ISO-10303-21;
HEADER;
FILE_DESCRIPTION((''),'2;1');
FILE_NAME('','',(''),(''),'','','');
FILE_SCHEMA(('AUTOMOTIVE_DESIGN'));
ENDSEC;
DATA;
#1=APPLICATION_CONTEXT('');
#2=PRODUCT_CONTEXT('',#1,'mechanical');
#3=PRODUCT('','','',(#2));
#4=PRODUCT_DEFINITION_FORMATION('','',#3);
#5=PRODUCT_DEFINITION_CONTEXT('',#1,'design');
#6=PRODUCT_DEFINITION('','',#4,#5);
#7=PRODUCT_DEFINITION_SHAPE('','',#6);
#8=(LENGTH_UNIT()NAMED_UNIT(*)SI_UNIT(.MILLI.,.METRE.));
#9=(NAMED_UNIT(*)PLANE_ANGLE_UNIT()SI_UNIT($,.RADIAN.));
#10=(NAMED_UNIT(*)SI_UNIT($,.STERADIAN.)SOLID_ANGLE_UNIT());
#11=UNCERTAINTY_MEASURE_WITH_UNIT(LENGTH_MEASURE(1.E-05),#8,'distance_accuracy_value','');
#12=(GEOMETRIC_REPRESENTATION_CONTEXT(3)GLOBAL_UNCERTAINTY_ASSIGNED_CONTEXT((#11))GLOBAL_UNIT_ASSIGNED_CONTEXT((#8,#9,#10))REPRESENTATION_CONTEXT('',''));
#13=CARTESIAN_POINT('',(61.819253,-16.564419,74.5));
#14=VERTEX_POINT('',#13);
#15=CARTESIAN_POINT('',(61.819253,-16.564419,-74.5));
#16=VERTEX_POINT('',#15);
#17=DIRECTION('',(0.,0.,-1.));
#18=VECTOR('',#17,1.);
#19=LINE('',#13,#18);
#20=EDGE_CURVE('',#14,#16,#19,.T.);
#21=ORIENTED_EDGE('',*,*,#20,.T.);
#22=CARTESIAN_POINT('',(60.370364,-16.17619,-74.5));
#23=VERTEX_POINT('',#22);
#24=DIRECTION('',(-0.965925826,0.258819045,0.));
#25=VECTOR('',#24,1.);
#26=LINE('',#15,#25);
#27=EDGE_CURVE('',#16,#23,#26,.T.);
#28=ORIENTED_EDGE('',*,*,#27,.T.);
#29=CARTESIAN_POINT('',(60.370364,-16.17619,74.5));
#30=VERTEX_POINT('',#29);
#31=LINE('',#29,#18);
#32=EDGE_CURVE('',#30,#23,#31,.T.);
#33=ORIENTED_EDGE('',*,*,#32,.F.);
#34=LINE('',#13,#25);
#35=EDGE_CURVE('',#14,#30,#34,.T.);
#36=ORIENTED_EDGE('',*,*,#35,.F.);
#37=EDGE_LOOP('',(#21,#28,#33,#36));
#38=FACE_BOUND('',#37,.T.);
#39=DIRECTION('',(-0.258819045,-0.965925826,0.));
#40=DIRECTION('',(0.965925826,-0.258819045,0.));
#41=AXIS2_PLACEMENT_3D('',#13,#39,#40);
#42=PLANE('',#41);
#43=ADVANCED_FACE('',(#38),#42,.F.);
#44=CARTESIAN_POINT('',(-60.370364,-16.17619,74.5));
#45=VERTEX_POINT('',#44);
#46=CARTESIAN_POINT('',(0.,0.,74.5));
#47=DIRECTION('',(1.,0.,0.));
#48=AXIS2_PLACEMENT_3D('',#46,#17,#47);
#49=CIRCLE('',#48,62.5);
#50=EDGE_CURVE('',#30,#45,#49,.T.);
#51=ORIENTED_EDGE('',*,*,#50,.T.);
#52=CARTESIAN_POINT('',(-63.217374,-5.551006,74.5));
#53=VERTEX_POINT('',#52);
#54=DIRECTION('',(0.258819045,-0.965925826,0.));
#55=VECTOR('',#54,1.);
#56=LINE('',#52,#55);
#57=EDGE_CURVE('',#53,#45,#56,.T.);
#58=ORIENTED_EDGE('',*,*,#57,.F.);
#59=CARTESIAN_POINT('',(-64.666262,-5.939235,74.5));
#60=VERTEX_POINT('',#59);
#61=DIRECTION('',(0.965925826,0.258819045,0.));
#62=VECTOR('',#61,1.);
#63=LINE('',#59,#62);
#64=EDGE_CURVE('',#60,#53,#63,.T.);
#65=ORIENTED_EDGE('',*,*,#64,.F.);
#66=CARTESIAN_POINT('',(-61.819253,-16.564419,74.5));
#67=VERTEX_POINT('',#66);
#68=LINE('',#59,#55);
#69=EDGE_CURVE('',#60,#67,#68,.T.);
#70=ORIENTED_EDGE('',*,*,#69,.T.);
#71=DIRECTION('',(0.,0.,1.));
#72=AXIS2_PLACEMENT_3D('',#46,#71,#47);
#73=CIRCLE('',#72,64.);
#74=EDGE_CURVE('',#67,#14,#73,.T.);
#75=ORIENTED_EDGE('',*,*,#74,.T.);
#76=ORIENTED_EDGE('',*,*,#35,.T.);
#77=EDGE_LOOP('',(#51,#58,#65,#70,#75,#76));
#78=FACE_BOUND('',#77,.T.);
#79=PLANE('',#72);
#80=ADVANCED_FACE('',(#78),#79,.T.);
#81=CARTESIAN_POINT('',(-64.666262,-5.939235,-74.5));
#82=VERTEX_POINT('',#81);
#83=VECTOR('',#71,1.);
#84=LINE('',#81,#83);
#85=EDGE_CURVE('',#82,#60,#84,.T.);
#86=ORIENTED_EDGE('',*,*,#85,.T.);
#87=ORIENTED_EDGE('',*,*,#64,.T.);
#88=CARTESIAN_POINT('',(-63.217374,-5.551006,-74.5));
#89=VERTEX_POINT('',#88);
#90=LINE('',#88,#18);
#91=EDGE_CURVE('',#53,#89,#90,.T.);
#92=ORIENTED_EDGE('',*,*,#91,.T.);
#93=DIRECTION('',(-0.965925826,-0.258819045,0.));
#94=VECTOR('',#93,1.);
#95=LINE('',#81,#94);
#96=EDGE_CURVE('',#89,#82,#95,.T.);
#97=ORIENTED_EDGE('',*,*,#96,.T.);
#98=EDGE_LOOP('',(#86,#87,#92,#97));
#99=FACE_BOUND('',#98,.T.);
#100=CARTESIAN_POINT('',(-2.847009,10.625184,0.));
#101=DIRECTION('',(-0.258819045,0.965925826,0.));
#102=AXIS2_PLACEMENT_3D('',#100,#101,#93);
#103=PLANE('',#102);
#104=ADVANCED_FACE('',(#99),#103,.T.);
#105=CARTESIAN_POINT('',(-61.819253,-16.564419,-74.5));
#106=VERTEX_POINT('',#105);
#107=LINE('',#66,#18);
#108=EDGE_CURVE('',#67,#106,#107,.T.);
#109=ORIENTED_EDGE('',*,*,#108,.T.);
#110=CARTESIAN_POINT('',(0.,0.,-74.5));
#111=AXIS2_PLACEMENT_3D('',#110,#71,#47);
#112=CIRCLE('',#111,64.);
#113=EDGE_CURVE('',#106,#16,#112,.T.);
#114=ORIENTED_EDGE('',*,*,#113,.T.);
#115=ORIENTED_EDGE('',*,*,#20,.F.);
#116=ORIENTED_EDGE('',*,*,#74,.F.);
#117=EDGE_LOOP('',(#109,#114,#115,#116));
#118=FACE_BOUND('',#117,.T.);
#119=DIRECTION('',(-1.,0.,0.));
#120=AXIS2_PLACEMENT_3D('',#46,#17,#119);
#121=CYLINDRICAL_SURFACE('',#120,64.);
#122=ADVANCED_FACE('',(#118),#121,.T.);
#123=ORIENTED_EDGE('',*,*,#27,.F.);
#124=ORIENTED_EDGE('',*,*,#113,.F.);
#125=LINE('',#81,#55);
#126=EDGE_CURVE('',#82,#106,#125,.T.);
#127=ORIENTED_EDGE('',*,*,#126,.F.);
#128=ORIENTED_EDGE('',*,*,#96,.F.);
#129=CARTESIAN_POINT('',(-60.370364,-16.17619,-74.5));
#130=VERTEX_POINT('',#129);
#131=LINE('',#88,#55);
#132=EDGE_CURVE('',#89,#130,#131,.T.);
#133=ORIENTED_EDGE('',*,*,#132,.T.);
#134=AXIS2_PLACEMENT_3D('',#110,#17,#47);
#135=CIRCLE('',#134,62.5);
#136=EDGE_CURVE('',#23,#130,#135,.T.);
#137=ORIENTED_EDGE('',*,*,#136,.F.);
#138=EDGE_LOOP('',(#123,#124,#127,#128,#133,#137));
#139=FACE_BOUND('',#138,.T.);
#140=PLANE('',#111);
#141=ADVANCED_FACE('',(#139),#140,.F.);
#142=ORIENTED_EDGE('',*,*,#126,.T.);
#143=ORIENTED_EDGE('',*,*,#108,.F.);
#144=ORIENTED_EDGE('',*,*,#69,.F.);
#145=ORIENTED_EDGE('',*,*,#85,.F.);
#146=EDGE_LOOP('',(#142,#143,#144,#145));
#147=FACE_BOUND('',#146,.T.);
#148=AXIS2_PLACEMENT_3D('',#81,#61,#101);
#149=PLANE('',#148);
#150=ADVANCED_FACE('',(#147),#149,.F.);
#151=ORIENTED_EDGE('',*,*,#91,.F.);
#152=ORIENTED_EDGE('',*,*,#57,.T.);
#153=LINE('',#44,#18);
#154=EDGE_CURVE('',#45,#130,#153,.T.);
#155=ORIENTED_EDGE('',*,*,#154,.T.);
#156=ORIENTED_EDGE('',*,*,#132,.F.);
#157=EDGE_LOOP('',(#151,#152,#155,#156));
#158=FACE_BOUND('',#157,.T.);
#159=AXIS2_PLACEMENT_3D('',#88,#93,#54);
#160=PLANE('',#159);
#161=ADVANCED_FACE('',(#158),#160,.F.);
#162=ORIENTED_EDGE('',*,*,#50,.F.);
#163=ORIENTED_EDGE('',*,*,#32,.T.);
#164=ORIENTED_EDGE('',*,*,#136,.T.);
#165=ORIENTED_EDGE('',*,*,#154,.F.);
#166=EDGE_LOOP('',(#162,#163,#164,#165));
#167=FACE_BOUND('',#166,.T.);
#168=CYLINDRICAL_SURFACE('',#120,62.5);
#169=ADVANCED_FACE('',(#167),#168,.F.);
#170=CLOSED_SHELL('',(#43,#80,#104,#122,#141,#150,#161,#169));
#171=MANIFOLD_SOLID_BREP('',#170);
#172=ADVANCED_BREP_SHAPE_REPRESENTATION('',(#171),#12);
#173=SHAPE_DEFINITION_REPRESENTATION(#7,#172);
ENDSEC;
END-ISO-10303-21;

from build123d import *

# Parameters (mm, degrees)
BOSS_EXTRUDE1_DEPTH = 74.5
SKETCH2_W           = 1.5
SKETCH2_H           = 149
BOSS_EXTRUDE2_DEPTH = 11


with BuildPart() as part:
    # Sketch1 → Boss-Extrude1 (new, symmetric)
    with BuildSketch(Plane.XY):
        with BuildLine():
            Line((61.819252883, -16.564418887), (60.370364143, -16.176190319))
            ThreePointArc((60.370364143, -16.176190319), (0, -62.5), (-60.370364143, -16.176190319))
            Line((-60.370364143, -16.176190319), (-61.819252883, -16.564418887))
            ThreePointArc((-61.819252883, -16.564418887), (0, -64), (61.819252883, -16.564418887))
        make_face()
    extrude(amount=BOSS_EXTRUDE1_DEPTH, both=True)

    # Sketch2 → Boss-Extrude2 (add)
    with BuildSketch(Plane(origin=(0, 0, 0), x_dir=(0.9659258262890683, 0.25881904510252113, 0), z_dir=(-0.25881904510252113, 0.9659258262890683, 0))):
        with Locations((-63.25, 0)):
            Rectangle(SKETCH2_W, SKETCH2_H)
    extrude(amount=BOSS_EXTRUDE2_DEPTH)


solid = part.part
